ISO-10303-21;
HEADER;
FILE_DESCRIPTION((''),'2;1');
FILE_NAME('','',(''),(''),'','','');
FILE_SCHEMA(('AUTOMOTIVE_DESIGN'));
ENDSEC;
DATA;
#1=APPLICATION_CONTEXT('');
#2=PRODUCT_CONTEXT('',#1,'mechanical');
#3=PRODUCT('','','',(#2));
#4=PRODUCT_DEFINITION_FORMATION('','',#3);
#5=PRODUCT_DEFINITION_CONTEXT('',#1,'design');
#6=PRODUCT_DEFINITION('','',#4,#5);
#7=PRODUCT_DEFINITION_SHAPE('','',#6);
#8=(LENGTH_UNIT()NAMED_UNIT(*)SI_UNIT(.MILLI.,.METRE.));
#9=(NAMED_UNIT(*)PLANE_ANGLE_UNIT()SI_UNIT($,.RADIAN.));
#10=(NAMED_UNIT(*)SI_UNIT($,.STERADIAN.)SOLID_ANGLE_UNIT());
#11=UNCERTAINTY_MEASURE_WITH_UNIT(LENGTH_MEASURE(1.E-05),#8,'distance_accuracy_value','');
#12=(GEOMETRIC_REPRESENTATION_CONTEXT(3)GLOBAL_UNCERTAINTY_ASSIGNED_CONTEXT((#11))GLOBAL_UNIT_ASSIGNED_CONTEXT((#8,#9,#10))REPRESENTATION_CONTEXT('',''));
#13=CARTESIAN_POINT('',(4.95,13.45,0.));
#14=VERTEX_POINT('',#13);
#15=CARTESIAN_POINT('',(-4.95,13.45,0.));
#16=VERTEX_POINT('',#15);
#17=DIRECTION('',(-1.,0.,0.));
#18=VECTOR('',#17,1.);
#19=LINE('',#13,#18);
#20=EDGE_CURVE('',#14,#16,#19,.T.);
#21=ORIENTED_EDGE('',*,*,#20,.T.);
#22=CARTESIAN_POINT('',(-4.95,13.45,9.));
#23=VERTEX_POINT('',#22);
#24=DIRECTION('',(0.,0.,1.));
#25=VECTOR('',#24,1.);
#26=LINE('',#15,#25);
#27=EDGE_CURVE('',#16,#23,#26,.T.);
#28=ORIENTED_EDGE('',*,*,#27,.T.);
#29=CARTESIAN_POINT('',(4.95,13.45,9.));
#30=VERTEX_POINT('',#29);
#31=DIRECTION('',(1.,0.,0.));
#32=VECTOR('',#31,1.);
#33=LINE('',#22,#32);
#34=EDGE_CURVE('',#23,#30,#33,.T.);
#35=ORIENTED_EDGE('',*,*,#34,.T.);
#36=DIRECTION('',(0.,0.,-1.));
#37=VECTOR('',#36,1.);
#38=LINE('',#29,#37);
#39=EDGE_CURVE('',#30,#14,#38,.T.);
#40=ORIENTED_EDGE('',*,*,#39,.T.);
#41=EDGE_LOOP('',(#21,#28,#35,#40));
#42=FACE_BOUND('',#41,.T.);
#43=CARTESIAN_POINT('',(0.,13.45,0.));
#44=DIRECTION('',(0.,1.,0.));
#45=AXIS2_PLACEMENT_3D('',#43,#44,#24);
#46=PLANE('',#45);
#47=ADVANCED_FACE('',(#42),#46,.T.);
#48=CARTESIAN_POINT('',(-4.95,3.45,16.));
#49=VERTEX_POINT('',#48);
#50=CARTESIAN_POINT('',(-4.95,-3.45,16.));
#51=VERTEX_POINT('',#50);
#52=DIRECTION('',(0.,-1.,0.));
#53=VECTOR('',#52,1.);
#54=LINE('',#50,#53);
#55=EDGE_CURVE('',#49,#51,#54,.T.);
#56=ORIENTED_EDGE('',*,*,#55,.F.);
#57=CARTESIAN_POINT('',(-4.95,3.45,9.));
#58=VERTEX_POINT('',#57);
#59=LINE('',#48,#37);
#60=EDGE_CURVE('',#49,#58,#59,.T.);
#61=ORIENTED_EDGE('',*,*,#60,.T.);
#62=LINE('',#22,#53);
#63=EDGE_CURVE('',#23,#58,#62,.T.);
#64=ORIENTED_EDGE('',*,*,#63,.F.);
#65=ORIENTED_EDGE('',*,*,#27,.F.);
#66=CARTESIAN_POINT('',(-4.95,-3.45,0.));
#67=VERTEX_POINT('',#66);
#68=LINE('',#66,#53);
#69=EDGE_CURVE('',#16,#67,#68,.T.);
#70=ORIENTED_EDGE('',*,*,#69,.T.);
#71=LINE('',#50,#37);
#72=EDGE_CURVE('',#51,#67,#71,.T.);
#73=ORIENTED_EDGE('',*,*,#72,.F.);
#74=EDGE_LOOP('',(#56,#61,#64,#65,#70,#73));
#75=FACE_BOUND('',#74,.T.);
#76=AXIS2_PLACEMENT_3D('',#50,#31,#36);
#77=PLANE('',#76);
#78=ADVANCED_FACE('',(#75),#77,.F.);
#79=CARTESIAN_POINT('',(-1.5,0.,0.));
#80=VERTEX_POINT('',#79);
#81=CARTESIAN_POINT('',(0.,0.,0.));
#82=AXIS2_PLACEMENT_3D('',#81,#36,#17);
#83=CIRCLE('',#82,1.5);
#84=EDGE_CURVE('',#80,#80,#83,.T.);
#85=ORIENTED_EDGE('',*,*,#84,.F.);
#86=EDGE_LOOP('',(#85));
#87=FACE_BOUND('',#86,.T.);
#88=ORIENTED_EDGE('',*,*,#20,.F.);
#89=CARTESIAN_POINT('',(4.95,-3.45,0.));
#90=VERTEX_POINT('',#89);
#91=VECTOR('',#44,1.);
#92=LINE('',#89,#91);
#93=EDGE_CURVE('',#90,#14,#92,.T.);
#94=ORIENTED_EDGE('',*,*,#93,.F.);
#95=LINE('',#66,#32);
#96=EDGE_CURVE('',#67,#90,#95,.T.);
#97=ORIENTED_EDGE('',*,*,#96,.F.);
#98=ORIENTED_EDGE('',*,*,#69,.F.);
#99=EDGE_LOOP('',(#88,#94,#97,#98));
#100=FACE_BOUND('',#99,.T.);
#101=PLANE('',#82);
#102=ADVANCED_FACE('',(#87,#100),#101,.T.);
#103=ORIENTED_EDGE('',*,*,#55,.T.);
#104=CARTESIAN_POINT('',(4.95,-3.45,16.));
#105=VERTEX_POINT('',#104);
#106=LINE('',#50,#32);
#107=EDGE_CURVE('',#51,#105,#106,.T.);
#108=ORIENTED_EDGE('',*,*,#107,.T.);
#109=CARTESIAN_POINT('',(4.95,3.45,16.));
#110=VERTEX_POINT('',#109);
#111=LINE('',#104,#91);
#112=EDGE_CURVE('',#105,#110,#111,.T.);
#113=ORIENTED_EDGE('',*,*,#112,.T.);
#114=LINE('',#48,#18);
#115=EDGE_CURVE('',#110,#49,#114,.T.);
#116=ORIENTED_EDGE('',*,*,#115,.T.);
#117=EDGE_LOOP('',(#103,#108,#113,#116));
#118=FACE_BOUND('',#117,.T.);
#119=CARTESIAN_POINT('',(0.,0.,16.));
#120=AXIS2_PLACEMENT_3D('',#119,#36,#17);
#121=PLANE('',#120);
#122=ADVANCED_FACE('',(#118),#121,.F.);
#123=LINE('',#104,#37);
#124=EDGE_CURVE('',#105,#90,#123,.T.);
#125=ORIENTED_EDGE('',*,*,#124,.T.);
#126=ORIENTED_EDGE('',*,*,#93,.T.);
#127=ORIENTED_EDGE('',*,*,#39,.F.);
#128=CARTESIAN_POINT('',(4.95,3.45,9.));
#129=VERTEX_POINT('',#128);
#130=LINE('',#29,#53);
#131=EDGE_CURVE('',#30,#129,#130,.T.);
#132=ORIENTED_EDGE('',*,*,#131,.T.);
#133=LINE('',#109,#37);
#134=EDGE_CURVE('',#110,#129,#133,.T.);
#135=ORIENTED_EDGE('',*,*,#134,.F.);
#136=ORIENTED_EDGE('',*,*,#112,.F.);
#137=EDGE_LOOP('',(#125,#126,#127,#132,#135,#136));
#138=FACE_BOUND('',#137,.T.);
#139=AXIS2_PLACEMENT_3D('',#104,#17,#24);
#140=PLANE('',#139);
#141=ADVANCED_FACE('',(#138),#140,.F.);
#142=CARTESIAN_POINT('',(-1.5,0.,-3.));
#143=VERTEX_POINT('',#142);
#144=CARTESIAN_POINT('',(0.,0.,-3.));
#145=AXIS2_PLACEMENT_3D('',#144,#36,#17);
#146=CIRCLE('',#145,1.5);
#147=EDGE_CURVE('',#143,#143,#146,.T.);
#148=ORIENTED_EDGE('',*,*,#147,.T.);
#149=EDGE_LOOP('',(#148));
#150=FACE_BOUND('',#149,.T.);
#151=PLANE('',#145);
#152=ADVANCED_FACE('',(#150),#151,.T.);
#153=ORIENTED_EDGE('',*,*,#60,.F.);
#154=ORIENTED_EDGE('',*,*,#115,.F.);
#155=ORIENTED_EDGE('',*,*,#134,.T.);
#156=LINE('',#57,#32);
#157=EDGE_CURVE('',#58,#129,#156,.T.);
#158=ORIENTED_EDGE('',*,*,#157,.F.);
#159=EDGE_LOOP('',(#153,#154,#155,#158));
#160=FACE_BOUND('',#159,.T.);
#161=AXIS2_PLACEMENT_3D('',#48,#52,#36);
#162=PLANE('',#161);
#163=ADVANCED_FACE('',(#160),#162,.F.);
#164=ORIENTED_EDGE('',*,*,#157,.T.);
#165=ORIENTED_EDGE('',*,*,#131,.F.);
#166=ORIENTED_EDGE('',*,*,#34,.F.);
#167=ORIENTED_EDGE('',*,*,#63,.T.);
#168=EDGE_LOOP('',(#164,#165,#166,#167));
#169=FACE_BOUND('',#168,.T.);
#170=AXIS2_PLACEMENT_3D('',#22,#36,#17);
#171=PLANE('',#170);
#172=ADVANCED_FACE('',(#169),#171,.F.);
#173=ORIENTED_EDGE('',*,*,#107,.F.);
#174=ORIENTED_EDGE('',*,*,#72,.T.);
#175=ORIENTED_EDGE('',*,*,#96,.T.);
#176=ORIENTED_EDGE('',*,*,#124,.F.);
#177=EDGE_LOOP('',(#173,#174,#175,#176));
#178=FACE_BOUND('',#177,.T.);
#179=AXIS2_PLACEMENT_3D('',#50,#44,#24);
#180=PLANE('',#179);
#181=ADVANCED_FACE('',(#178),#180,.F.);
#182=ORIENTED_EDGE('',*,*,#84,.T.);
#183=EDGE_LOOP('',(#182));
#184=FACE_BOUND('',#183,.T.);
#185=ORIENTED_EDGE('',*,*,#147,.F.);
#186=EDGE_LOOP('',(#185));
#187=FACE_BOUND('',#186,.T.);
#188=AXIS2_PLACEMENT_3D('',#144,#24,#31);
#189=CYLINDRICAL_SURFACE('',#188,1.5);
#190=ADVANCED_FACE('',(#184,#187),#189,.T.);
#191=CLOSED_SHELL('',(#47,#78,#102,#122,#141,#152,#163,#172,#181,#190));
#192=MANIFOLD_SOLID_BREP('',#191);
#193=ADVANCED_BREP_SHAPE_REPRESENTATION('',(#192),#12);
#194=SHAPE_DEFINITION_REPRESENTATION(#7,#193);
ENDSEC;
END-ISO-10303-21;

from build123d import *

# Parameters (mm, degrees)
SKETCH1_W           = 9.9
SKETCH1_H           = 6.9
BOSS_EXTRUDE1_DEPTH = 16
SKETCH2_W           = 9.9
SKETCH2_H           = 9
BOSS_EXTRUDE2_DEPTH = 10
SKETCH3_R           = 1.5
BOSS_EXTRUDE3_DEPTH = 3


with BuildPart() as part:
    # Sketch1 → Boss-Extrude1 (new body)
    with BuildSketch(Plane.XY):
        Rectangle(SKETCH1_W, SKETCH1_H)
    extrude(amount=BOSS_EXTRUDE1_DEPTH)

    # Sketch2 → Boss-Extrude2 (add)
    with BuildSketch(Plane(origin=(0, 3.45, 0), x_dir=(1, 0, 0), z_dir=(0, 1, 0))):
        with Locations((0, -4.5)):
            Rectangle(SKETCH2_W, SKETCH2_H)
    extrude(amount=BOSS_EXTRUDE2_DEPTH)

    # Sketch3 → Boss-Extrude3 (add)
    with BuildSketch(Plane(origin=(0, 0, 0), x_dir=(-1, 0, 0), z_dir=(0, 0, -1))):
        Circle(SKETCH3_R)
    extrude(amount=BOSS_EXTRUDE3_DEPTH)


solid = part.part
